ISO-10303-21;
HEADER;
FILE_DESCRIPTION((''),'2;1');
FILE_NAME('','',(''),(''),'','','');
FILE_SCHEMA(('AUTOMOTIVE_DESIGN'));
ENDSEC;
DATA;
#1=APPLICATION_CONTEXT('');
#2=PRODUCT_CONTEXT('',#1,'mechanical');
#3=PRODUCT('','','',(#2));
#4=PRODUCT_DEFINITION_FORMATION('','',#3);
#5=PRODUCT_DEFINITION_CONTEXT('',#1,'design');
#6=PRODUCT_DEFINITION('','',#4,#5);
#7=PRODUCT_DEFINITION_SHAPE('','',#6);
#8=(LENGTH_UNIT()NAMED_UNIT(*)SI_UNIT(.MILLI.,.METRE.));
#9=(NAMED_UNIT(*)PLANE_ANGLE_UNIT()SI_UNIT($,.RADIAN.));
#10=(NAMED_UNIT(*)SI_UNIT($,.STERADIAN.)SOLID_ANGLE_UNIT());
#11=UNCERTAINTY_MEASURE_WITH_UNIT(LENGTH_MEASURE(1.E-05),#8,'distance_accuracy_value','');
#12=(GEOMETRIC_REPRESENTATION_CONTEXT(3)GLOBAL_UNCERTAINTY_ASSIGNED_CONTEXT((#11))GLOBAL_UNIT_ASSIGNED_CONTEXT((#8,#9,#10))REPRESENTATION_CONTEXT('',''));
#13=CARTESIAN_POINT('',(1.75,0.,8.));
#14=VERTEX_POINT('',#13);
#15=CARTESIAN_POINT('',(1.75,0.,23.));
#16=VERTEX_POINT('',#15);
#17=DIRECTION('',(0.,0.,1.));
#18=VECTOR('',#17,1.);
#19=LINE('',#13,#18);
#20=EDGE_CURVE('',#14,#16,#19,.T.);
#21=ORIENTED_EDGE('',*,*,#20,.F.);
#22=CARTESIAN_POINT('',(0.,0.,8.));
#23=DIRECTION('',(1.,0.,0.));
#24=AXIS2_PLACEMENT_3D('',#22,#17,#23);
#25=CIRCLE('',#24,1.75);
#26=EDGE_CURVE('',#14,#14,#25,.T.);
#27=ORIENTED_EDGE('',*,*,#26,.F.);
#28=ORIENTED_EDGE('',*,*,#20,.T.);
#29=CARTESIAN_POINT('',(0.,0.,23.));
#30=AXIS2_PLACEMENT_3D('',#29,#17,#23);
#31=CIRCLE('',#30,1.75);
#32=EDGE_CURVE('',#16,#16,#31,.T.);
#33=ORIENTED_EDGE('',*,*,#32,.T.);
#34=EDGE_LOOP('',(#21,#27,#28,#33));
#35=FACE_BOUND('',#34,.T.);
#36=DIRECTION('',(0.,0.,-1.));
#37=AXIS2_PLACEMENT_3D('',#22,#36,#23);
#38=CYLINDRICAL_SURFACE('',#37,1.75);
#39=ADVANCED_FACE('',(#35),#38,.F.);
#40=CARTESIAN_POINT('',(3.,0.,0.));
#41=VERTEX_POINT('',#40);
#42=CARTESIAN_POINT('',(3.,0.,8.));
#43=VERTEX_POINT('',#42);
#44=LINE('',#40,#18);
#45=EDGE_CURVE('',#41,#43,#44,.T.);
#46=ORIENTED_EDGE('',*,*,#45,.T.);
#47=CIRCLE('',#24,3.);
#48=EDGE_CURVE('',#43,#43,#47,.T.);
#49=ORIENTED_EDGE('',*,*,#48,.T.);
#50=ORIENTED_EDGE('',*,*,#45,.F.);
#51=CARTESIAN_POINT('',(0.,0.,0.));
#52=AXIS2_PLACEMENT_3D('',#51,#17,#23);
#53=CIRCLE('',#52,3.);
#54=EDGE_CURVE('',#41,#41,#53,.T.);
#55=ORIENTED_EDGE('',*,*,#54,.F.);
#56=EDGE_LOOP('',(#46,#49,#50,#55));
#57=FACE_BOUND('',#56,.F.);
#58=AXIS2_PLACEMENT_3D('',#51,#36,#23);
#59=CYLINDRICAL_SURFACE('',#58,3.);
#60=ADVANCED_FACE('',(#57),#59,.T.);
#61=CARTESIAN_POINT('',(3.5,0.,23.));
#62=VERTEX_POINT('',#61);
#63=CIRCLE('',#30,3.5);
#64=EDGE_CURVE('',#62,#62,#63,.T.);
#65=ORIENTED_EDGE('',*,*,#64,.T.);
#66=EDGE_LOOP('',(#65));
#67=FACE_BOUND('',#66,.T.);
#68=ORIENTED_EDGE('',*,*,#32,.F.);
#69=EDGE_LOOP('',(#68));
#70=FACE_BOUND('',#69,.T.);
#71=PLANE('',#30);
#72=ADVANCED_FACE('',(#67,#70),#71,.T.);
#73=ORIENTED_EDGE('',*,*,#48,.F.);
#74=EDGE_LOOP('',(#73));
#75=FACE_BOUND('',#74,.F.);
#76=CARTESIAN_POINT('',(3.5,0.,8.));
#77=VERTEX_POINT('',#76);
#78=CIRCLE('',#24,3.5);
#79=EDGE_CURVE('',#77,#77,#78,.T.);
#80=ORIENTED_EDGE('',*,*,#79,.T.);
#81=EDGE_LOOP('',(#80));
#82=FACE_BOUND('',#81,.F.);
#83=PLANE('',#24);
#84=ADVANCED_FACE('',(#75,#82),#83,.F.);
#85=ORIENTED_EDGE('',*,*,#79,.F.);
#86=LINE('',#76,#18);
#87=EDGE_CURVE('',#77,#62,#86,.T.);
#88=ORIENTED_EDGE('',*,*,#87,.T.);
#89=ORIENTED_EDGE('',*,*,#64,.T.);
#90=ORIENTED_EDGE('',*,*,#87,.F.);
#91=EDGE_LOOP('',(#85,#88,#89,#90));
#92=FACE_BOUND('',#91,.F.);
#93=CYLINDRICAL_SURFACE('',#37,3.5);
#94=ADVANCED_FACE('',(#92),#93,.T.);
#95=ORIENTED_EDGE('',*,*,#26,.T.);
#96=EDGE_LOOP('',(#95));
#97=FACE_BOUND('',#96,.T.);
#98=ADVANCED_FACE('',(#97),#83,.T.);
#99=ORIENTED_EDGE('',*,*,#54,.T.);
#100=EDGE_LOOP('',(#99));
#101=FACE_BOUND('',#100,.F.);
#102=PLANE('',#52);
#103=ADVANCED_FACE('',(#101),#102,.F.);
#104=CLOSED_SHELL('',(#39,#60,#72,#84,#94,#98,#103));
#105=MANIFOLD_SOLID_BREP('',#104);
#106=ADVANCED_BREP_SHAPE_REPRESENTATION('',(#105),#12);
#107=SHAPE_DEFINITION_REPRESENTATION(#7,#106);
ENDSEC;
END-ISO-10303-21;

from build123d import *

# Parameters (mm, degrees)
F0_R     = 3
F1_DEPTH = 8
F2_R     = 3.5
F2_R_2   = 3
F2_R_3   = 1.75
F3_DEPTH = 15


with BuildPart() as f1:
    # F0 (on Top) → F1 (new body)
    with BuildSketch(Plane.XY):
        Circle(F0_R)
    extrude(amount=F1_DEPTH)

    # F2 (on face) → F3 (join)
    with BuildSketch(Plane.XY.offset(8)):
        Circle(F2_R)
        Circle(F2_R_2, mode=Mode.SUBTRACT)
        Circle(F2_R_2)
        Circle(F2_R_3, mode=Mode.SUBTRACT)
    extrude(amount=F3_DEPTH)


solid = f1.part
